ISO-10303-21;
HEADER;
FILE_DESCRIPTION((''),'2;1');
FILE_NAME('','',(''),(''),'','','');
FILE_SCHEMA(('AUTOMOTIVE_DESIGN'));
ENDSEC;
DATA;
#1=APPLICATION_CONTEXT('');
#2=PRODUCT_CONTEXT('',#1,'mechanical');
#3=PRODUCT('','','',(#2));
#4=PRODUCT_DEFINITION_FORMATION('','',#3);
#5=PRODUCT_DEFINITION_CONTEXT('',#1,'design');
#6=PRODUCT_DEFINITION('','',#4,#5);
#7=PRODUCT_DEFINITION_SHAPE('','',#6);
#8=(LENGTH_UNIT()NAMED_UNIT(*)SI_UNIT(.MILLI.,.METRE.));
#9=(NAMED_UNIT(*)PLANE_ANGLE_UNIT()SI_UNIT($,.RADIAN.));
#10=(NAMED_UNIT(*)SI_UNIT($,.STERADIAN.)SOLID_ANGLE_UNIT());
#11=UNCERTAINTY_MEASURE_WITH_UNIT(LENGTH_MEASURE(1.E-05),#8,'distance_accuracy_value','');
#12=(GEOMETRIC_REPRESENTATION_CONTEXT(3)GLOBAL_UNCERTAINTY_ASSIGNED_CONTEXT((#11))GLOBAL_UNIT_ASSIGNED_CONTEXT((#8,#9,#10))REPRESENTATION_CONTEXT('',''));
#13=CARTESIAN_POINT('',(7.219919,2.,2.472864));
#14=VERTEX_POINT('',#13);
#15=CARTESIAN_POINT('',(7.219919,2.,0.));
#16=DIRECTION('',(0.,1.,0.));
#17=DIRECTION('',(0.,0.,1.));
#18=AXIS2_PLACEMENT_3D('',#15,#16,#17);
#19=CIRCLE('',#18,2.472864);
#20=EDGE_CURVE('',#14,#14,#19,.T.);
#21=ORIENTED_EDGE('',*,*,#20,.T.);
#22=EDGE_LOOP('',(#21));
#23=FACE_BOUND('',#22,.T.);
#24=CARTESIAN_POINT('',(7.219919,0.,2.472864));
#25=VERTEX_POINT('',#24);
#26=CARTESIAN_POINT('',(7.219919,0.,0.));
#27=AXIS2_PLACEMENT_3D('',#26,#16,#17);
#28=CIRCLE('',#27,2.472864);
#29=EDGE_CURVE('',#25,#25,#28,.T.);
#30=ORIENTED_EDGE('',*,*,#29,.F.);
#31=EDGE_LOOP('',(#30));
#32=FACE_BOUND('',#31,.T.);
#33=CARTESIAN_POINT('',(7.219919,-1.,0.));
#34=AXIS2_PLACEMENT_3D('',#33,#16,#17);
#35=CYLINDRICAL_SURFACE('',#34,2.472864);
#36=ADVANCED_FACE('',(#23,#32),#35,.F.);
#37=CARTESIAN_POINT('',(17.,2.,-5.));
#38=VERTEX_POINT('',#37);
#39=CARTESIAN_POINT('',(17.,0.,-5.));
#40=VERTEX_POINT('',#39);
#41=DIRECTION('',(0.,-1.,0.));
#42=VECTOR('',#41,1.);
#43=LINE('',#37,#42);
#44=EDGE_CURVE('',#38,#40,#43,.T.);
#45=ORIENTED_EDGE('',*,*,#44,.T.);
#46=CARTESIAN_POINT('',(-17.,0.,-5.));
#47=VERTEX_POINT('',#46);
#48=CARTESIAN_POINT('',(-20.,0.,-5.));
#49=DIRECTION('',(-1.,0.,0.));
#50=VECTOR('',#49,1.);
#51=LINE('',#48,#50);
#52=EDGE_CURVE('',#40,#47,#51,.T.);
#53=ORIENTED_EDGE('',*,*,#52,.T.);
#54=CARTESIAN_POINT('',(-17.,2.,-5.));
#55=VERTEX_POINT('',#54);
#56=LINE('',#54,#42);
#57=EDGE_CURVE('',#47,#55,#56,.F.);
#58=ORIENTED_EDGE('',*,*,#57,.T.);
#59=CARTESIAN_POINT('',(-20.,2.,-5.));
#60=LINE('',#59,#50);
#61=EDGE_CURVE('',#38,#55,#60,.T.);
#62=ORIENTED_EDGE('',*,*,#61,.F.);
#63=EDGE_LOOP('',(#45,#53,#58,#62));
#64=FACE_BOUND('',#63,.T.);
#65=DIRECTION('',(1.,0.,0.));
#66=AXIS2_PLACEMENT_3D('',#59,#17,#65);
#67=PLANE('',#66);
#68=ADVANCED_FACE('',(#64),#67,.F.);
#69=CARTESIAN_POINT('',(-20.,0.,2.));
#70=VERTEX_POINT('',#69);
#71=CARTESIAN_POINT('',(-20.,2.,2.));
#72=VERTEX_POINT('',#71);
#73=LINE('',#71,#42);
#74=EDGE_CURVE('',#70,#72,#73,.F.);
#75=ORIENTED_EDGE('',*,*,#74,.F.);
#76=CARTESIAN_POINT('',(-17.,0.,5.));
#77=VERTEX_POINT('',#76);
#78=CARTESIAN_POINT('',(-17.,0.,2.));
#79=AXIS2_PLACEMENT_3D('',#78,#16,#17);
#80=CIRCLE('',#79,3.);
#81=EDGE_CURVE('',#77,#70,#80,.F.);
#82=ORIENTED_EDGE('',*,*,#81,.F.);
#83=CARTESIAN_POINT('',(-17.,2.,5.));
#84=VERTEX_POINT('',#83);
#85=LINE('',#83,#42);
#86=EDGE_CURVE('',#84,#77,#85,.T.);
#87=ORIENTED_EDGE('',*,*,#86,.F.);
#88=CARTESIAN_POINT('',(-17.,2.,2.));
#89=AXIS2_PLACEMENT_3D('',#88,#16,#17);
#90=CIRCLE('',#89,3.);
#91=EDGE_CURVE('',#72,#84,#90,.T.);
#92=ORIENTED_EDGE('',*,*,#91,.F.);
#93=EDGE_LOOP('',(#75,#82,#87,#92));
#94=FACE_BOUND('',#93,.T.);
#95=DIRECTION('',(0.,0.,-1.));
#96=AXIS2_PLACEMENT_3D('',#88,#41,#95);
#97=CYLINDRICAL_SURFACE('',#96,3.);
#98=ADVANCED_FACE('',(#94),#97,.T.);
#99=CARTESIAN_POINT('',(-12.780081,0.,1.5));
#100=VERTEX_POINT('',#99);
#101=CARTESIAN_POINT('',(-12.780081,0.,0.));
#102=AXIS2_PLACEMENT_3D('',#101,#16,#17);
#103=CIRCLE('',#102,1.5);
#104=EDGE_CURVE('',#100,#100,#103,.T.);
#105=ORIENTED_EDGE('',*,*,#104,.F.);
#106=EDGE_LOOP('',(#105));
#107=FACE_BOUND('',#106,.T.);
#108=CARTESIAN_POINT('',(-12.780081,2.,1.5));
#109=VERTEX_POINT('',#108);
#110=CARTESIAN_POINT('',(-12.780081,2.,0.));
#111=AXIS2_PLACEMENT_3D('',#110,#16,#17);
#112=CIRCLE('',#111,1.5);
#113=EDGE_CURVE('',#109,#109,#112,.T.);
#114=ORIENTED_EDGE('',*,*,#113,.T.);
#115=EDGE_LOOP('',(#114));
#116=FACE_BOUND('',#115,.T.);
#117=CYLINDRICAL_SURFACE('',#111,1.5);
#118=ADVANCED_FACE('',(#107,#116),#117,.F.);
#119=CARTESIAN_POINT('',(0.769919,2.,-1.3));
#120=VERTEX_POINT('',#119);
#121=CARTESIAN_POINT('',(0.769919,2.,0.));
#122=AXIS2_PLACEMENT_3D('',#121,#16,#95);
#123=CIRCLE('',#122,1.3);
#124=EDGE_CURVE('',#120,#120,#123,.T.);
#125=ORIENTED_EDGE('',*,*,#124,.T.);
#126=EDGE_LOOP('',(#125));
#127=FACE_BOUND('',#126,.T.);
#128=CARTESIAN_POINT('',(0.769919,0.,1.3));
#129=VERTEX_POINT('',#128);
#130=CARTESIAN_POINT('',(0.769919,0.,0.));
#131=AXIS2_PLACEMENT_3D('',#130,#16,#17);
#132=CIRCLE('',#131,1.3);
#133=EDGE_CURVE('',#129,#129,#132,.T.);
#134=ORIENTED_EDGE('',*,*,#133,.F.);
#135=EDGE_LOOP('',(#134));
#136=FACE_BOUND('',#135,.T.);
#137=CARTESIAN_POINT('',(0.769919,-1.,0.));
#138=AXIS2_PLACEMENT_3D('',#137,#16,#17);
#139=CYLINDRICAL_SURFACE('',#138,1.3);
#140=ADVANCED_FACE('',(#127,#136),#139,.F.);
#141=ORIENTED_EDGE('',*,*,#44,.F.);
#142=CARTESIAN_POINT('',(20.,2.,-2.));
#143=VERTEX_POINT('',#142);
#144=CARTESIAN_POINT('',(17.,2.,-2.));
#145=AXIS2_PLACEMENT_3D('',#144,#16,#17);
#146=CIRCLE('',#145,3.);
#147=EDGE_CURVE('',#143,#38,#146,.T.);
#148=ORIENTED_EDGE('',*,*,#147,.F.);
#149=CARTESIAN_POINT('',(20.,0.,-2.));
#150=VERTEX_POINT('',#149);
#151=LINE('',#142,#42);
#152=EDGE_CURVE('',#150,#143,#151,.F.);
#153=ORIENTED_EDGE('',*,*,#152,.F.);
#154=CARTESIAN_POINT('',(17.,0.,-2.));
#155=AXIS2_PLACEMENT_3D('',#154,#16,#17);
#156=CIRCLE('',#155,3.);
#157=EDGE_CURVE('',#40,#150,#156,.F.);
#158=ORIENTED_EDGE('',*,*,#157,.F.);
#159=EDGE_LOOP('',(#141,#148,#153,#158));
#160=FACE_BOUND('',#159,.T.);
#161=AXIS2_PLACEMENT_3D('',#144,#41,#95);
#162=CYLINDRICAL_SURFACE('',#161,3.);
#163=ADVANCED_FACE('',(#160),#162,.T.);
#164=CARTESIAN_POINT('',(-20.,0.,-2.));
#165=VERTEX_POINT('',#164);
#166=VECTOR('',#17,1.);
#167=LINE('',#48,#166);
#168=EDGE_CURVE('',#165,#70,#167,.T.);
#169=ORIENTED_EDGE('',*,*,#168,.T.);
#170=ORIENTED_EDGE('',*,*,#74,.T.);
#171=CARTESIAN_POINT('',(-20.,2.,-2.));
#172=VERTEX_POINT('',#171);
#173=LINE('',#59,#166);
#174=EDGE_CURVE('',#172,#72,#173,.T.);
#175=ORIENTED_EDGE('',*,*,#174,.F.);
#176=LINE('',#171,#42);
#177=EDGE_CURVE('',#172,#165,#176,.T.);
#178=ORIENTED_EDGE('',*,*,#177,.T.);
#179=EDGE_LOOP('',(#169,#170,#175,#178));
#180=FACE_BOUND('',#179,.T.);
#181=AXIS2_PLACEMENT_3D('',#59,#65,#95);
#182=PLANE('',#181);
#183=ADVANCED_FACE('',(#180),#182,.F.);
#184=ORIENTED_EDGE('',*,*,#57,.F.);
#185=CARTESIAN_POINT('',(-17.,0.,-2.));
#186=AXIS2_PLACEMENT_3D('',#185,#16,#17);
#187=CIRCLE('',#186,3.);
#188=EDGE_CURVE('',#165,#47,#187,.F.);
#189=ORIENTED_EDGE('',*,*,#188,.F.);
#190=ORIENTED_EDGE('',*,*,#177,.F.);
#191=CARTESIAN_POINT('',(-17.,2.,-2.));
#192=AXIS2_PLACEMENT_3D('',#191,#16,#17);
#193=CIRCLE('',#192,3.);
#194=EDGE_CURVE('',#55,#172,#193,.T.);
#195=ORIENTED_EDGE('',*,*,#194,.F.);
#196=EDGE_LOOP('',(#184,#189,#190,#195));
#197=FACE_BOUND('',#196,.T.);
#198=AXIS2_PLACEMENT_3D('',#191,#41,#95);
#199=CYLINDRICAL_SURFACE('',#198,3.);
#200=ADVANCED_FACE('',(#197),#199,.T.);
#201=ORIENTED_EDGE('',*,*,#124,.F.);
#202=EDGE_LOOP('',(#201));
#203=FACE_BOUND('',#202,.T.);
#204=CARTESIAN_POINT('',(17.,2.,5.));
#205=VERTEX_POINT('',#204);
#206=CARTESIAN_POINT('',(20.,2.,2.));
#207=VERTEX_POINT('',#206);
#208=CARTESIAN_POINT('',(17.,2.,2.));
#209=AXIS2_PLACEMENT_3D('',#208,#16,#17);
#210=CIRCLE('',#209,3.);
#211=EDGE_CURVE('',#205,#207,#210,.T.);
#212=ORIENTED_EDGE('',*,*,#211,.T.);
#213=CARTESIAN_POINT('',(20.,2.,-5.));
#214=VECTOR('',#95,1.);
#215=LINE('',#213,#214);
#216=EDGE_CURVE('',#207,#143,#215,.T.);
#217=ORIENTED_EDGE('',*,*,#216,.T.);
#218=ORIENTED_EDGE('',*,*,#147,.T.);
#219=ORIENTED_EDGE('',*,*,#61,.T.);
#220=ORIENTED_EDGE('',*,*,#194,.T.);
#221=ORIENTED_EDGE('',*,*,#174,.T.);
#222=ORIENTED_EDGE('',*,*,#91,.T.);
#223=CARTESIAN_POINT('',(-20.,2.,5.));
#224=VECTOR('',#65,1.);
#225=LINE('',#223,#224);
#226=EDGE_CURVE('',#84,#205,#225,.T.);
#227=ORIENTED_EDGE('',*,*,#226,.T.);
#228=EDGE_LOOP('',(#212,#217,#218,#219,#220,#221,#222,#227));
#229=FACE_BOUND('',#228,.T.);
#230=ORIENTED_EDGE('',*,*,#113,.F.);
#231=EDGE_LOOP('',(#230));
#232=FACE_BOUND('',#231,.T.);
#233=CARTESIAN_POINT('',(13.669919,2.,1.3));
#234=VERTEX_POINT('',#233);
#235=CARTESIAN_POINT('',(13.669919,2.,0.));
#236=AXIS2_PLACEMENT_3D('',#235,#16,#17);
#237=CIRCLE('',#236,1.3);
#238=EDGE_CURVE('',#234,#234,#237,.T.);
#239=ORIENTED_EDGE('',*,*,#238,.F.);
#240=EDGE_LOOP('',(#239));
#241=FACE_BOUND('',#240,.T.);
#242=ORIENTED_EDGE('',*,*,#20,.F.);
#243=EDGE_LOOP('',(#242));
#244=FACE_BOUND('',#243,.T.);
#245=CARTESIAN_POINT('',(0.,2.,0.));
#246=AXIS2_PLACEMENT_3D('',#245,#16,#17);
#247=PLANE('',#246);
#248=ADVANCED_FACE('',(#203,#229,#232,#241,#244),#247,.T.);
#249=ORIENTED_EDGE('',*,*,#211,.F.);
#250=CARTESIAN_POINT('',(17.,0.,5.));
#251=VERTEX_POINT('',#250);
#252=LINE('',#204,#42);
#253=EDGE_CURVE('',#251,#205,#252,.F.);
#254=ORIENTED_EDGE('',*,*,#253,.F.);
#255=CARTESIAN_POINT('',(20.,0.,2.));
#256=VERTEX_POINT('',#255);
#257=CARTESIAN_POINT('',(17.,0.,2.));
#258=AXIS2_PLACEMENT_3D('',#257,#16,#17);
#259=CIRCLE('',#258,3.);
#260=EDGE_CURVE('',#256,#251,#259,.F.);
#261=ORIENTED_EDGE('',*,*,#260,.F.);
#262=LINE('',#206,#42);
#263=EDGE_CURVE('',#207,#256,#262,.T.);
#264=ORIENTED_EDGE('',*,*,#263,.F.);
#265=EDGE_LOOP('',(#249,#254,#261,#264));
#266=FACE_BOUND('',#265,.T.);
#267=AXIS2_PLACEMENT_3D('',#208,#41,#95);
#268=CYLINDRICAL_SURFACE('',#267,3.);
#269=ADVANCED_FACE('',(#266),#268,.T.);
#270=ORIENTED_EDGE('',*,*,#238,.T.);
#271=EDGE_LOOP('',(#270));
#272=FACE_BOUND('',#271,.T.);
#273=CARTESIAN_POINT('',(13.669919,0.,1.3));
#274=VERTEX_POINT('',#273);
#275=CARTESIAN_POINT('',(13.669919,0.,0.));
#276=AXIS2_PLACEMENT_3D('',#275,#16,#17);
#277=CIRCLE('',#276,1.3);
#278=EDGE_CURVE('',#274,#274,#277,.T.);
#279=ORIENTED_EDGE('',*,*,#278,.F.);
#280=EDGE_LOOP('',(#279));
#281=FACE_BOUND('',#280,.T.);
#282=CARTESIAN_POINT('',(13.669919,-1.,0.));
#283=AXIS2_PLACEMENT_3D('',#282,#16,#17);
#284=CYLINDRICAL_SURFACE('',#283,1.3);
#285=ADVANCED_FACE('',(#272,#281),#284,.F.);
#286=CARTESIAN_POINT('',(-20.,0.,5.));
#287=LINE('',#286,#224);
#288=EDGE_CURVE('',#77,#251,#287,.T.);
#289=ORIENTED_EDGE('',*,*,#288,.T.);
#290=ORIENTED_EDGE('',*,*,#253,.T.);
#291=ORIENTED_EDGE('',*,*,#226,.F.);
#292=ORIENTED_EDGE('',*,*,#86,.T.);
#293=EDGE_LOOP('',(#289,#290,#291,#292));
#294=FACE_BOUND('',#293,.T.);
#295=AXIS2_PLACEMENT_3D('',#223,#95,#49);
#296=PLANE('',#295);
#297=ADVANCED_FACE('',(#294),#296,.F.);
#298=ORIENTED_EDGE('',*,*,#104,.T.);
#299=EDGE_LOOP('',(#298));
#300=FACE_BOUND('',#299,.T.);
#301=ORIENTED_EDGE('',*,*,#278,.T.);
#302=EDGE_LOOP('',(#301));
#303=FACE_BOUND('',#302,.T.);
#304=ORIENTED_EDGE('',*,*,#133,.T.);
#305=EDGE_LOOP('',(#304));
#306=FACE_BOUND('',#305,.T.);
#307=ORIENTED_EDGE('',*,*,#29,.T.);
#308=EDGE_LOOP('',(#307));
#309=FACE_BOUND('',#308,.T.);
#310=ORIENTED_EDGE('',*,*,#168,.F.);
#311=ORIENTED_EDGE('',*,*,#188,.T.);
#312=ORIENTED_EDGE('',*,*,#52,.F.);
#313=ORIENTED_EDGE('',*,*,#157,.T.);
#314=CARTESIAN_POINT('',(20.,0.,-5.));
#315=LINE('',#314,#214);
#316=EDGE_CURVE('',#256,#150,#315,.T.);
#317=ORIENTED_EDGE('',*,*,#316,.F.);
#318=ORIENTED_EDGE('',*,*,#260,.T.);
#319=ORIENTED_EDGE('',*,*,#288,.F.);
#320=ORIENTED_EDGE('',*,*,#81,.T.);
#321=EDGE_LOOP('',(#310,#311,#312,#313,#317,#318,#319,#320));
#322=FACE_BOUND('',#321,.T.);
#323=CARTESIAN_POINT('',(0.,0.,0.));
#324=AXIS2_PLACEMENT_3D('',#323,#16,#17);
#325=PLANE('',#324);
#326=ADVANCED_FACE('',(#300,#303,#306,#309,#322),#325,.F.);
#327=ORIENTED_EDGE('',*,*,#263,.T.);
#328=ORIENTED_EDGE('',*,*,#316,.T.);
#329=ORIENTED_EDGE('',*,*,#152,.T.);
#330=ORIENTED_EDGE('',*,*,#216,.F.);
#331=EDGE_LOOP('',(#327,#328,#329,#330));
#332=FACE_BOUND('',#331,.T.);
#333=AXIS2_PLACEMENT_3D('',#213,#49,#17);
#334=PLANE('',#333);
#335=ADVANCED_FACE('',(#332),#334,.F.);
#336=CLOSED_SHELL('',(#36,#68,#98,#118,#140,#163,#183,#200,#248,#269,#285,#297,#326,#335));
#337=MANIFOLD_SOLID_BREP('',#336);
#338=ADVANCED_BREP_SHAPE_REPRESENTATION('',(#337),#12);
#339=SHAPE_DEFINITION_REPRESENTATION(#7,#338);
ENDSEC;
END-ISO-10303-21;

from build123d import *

# Parameters (mm, degrees)
SKETCH1_W                = 40
SKETCH1_H                = 10
BOSS_EXTRUDE1_DEPTH      = 2
SKETCH2_R                = 2.472864358
SKETCH2_R_2              = 1.3
CUT_EXTRUDE1_DEPTH       = 3
FILLET1_R                = 3
F_3_0_3_DIAMETER_HOLE1_D = 3


with BuildPart() as part:
    # Sketch1 → Boss-Extrude1 (new body)
    with BuildSketch(Plane(origin=(0, 0, 0), x_dir=(1, 0, 0), z_dir=(0, 1, 0))):
        Rectangle(SKETCH1_W, SKETCH1_H)
    extrude(amount=BOSS_EXTRUDE1_DEPTH)

    # Sketch2 → Cut-Extrude1 (cut)
    with BuildSketch(Plane(origin=(0, 2, 0), x_dir=(1, 0, 0), z_dir=(0, 1, 0))):
        with Locations((7.219918586, 0)):
            Circle(SKETCH2_R)
        with Locations((13.669918586, 0)):
            Circle(SKETCH2_R_2)
        with Locations((0.769918586, 0)):
            Circle(SKETCH2_R_2)
    extrude(amount=-CUT_EXTRUDE1_DEPTH, mode=Mode.SUBTRACT)

    # Fillet1
    fillet1_edges = [part.edges().sort_by_distance(p)[0] for p in [
        (20, 1, 5),
        (-20, 1, 5),
        (-20, 1, -5),
        (20, 1, -5),
    ]]
    fillet(fillet1_edges, radius=FILLET1_R)

    # Ø3.0 (3) Diameter Hole1 (through all)
    with Locations(Plane(origin=(0, 2, 0), x_dir=(1, 0, 0), z_dir=(0, 1, 0))):
        with Locations((-12.780081414, 0)):
            Hole(F_3_0_3_DIAMETER_HOLE1_D / 2)


solid = part.part
